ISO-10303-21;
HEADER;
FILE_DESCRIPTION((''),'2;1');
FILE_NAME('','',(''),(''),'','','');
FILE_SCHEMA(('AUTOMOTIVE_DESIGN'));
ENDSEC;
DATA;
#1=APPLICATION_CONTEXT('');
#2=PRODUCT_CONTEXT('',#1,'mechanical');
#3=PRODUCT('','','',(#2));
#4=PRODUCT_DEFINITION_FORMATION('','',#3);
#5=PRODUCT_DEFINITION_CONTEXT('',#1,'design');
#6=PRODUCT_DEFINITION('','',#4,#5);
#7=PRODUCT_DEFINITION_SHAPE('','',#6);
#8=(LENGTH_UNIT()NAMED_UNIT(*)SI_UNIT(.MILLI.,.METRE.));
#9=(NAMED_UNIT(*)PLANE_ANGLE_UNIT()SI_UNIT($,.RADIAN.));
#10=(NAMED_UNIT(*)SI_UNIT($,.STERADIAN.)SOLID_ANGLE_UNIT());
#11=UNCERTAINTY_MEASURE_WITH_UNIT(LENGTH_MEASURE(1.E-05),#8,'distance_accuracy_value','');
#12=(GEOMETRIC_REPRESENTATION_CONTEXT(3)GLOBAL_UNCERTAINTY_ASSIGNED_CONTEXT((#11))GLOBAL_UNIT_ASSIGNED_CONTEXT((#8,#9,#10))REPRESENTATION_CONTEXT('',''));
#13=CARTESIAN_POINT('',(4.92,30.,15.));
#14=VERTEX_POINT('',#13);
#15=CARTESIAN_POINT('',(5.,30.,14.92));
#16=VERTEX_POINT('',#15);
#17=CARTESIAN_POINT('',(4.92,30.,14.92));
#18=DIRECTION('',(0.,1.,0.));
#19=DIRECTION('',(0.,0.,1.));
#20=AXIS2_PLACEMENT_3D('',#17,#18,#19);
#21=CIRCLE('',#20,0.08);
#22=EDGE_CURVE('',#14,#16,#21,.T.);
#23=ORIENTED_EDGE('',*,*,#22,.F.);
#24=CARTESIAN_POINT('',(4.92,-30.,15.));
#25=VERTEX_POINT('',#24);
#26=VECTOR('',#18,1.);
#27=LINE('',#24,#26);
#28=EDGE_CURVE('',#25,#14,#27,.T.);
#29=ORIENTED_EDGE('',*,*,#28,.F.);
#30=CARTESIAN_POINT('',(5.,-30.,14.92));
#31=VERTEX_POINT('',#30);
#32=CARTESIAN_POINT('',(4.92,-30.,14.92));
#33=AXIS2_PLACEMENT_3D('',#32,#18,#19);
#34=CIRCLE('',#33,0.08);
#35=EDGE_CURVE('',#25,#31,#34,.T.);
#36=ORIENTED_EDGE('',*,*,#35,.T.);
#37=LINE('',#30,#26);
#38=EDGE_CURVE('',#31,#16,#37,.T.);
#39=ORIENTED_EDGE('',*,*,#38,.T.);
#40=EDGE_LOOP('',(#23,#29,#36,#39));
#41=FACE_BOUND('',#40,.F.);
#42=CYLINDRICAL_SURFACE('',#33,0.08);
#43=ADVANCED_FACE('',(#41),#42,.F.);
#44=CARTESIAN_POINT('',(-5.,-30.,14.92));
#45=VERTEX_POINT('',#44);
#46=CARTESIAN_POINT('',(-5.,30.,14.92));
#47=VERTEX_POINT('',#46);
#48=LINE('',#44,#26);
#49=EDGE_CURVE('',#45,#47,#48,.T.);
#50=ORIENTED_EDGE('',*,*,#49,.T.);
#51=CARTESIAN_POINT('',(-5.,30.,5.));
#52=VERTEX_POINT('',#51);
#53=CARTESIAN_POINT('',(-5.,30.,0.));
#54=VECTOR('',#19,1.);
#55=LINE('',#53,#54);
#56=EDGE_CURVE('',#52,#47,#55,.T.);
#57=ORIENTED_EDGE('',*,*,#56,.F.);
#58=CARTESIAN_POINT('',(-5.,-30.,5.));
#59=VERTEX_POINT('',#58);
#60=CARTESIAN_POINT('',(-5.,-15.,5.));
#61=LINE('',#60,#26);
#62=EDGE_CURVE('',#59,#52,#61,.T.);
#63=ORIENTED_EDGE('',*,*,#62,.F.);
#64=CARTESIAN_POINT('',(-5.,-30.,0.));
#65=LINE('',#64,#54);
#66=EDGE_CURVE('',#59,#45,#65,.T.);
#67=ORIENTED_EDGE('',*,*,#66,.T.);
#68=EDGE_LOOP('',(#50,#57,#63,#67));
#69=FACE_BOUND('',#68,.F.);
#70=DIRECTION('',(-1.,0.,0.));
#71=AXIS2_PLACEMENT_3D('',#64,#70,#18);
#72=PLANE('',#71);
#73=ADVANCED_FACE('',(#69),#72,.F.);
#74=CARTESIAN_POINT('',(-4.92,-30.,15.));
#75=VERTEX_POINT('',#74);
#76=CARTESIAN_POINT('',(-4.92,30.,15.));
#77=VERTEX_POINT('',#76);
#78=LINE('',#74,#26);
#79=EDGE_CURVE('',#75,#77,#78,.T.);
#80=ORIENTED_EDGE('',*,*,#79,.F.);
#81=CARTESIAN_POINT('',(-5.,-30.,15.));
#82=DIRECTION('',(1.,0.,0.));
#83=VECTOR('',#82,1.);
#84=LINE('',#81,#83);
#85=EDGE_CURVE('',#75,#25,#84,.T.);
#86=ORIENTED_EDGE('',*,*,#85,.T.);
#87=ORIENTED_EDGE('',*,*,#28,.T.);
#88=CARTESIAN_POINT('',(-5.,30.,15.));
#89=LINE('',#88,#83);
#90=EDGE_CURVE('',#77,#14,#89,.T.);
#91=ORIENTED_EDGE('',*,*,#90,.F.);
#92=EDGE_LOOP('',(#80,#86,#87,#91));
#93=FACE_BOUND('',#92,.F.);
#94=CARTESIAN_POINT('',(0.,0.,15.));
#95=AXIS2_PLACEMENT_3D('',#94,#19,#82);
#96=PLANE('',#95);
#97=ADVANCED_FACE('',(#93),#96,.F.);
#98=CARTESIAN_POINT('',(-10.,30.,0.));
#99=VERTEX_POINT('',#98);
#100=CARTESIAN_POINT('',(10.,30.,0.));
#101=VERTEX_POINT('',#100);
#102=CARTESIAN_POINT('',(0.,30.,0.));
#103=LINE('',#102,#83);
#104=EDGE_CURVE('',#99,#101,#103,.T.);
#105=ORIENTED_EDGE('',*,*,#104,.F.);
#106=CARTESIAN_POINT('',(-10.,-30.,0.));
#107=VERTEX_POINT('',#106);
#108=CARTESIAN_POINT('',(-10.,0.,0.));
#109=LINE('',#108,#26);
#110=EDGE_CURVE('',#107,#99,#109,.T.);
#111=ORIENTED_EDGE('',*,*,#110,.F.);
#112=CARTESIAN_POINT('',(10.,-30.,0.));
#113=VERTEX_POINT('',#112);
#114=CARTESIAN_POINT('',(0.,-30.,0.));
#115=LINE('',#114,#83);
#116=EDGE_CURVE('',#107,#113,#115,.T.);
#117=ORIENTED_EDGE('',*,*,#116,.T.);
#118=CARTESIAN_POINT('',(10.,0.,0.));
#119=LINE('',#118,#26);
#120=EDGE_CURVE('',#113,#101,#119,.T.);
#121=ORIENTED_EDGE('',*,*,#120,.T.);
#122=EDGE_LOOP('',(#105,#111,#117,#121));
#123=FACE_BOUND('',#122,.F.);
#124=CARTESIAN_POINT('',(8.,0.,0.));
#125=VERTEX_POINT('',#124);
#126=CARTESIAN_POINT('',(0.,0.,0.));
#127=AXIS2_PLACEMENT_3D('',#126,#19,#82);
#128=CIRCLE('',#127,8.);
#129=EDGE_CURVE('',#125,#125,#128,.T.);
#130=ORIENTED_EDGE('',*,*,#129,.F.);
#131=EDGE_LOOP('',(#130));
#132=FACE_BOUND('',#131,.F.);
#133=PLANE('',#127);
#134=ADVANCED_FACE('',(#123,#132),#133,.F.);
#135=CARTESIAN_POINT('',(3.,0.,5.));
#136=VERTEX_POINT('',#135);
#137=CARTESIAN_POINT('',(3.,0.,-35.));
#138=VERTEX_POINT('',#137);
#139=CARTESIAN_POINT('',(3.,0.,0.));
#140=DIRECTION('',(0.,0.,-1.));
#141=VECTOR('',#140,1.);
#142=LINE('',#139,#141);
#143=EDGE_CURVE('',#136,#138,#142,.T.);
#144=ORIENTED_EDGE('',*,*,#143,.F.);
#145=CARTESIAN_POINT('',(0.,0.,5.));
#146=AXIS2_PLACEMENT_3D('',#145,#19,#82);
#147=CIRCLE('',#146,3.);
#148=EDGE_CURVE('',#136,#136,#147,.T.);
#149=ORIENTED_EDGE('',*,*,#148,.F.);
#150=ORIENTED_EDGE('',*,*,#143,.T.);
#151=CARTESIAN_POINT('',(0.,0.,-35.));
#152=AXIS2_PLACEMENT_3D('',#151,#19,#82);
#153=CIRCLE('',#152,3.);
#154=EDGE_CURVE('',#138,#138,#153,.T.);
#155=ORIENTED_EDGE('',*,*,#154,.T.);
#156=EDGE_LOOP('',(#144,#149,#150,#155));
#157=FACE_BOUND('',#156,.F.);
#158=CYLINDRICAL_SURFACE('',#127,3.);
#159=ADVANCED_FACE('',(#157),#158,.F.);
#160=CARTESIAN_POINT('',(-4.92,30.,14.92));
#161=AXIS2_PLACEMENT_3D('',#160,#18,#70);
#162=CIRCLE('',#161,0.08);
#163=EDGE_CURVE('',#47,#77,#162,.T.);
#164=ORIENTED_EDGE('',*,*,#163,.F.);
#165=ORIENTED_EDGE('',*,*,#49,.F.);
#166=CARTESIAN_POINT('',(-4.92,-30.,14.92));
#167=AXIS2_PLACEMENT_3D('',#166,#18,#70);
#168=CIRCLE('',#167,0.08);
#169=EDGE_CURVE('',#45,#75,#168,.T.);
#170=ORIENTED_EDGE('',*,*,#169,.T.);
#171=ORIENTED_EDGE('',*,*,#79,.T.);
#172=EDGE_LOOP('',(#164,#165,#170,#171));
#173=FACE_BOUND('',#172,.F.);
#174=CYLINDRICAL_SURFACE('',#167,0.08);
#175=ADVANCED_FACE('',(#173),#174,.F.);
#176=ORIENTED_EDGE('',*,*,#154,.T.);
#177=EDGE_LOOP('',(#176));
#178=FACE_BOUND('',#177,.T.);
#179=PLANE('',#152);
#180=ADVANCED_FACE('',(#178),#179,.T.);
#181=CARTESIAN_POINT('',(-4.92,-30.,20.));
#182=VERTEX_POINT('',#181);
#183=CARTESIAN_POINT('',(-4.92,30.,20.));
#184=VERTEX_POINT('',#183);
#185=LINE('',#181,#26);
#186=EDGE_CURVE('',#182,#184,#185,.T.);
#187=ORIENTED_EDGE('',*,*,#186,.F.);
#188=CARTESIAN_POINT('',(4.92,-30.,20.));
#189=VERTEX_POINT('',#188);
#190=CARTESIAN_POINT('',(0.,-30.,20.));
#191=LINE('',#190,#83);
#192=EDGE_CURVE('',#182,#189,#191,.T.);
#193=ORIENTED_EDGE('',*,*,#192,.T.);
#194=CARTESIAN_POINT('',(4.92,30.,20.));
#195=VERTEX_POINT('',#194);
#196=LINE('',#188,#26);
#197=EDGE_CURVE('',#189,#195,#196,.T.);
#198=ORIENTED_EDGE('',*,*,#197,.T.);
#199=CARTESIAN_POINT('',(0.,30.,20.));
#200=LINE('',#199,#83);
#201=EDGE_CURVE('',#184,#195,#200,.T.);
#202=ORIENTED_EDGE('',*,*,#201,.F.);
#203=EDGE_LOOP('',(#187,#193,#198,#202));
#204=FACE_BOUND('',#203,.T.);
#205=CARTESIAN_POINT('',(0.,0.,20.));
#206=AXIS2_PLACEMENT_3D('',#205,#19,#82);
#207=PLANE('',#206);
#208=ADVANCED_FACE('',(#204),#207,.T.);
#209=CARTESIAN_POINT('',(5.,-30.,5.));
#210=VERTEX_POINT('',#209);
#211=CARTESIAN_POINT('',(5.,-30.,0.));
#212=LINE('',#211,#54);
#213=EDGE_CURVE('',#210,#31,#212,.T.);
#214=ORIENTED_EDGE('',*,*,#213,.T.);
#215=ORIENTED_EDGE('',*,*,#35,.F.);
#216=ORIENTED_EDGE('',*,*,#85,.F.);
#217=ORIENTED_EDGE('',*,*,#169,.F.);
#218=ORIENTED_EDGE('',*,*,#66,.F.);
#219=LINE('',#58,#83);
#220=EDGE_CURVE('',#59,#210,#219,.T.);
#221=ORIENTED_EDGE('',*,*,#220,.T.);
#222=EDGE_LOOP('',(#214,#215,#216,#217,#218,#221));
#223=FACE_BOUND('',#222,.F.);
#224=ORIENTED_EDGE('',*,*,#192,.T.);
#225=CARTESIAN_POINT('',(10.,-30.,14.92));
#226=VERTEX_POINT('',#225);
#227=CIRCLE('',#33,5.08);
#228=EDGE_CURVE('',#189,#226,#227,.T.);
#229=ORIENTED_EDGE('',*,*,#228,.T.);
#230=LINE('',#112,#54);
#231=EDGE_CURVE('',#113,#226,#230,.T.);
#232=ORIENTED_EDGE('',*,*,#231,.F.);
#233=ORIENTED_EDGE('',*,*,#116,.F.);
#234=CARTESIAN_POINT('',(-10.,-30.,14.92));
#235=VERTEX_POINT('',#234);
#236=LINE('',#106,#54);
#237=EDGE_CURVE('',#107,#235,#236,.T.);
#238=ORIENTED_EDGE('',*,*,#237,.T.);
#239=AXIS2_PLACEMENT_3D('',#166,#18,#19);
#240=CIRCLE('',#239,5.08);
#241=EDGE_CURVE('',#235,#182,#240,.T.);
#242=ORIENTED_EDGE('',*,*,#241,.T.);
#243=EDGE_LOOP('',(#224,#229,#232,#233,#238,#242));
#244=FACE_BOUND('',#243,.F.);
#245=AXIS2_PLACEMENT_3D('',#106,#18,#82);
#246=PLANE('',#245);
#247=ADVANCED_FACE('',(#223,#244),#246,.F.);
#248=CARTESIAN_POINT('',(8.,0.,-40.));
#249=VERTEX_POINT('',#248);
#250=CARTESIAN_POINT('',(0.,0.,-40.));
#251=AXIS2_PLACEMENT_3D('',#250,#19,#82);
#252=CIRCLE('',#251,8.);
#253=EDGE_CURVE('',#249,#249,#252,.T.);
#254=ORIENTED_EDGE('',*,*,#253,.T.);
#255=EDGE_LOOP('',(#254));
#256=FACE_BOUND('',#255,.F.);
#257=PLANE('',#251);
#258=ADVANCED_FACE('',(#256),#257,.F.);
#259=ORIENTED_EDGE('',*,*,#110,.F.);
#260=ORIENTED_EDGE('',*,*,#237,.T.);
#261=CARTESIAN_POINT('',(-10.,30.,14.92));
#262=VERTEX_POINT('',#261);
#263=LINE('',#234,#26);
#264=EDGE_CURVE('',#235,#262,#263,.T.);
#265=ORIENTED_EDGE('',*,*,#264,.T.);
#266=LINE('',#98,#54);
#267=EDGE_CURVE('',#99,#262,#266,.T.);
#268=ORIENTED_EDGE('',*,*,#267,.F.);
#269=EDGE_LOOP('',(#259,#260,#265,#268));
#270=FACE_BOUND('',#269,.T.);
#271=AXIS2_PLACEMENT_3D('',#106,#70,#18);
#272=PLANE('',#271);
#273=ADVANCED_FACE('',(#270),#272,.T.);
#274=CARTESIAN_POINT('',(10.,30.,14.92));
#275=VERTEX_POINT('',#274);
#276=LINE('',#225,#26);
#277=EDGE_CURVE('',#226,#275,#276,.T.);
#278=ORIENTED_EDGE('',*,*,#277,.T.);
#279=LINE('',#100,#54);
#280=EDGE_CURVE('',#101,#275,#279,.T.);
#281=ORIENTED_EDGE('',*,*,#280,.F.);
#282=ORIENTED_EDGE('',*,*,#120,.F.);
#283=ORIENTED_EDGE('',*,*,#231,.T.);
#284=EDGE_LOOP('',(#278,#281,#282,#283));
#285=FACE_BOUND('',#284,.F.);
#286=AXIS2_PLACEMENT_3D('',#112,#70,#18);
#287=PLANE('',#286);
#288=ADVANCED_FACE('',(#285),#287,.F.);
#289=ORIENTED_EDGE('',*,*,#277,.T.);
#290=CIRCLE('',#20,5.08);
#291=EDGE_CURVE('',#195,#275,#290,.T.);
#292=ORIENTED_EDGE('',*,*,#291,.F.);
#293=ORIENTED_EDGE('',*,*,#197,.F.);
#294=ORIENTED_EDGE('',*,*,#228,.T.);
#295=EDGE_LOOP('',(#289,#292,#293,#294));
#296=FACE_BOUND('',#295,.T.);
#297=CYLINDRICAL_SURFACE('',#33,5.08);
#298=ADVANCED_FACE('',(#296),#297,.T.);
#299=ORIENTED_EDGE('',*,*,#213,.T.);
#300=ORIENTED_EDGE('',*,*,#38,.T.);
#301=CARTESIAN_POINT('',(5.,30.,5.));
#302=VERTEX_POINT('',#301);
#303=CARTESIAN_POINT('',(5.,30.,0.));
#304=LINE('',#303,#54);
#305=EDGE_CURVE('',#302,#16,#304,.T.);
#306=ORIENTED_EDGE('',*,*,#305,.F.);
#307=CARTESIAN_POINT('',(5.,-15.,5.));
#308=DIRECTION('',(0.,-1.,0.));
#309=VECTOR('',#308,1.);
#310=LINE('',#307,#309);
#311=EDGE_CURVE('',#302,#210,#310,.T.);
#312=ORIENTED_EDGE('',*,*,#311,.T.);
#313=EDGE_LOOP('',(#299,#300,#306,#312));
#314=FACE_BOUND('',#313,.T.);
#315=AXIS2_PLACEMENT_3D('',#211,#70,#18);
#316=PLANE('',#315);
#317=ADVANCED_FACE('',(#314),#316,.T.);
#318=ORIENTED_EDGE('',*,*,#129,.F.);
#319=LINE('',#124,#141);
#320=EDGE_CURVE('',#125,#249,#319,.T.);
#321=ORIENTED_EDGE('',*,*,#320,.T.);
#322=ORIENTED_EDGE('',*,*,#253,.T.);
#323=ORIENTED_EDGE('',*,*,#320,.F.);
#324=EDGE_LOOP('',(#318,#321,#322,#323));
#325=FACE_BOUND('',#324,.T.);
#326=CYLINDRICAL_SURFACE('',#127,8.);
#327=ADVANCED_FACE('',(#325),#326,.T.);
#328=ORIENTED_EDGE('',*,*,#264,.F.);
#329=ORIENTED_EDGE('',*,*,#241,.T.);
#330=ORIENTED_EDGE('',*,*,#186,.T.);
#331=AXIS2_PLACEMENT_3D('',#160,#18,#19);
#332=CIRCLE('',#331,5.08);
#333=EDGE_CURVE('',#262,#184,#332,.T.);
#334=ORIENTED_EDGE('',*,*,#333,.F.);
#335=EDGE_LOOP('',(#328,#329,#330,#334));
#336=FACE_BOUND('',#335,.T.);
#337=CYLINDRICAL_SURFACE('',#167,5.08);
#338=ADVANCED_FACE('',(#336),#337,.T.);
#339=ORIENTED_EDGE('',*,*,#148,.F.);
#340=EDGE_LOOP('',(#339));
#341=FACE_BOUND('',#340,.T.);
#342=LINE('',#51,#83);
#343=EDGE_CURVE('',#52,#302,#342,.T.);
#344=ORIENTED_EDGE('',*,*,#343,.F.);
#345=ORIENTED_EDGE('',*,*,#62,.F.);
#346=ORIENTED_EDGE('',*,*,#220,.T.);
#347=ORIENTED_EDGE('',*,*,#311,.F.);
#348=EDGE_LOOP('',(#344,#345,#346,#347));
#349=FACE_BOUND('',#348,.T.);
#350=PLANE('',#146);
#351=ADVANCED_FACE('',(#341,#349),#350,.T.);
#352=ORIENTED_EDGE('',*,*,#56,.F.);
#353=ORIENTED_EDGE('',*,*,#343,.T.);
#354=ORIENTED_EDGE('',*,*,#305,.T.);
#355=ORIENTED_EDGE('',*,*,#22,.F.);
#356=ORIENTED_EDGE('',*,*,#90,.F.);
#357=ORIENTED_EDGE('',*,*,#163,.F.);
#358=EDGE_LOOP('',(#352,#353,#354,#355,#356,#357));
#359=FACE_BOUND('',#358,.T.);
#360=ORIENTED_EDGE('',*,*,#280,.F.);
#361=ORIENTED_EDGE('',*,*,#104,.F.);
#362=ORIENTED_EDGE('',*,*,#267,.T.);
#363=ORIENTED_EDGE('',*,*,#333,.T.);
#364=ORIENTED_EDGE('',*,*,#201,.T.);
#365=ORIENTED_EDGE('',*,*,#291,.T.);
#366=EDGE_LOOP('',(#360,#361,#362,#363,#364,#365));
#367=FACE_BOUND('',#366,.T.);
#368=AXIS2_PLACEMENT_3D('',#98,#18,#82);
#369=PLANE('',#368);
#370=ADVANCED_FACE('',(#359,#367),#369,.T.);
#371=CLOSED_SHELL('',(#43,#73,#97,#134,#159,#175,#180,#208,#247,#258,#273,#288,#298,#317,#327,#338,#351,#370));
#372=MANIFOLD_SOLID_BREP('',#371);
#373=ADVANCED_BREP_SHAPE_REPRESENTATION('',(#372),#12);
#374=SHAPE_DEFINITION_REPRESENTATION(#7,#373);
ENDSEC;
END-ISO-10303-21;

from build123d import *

# Parameters (mm, degrees)
F0_R     = 8
F1_DEPTH = 40
F2_W     = 20
F2_H     = 60
F3_DEPTH = 20
F4_R     = 5.08
F6_T     = -5


with BuildPart() as f1:
    # F0 (on Top) → F1 (new body)
    with BuildSketch(Plane.XY):
        Circle(F0_R)
    extrude(amount=-F1_DEPTH)

    # F2 (on Top) + F0 (on Top) → F3 (join)
    with BuildSketch(Plane.XY):
        Rectangle(F2_W, F2_H)
    with BuildSketch(Plane.XY):
        Circle(F0_R)
    extrude(amount=F3_DEPTH)

    # F4
    f4_edges = [f1.edges().sort_by_distance(p)[0] for p in [
        (-10, 0, 20),
        (10, 0, 20),
    ]]
    fillet(f4_edges, radius=F4_R)

    # F6
    f6_openings = [f1.faces().sort_by_distance(p)[0] for p in [
        (0, -30, 9.747524),
        (0, 30, 9.747524),
    ]]
    offset(amount=F6_T, openings=f6_openings, kind=Kind.INTERSECTION)


solid = f1.part
